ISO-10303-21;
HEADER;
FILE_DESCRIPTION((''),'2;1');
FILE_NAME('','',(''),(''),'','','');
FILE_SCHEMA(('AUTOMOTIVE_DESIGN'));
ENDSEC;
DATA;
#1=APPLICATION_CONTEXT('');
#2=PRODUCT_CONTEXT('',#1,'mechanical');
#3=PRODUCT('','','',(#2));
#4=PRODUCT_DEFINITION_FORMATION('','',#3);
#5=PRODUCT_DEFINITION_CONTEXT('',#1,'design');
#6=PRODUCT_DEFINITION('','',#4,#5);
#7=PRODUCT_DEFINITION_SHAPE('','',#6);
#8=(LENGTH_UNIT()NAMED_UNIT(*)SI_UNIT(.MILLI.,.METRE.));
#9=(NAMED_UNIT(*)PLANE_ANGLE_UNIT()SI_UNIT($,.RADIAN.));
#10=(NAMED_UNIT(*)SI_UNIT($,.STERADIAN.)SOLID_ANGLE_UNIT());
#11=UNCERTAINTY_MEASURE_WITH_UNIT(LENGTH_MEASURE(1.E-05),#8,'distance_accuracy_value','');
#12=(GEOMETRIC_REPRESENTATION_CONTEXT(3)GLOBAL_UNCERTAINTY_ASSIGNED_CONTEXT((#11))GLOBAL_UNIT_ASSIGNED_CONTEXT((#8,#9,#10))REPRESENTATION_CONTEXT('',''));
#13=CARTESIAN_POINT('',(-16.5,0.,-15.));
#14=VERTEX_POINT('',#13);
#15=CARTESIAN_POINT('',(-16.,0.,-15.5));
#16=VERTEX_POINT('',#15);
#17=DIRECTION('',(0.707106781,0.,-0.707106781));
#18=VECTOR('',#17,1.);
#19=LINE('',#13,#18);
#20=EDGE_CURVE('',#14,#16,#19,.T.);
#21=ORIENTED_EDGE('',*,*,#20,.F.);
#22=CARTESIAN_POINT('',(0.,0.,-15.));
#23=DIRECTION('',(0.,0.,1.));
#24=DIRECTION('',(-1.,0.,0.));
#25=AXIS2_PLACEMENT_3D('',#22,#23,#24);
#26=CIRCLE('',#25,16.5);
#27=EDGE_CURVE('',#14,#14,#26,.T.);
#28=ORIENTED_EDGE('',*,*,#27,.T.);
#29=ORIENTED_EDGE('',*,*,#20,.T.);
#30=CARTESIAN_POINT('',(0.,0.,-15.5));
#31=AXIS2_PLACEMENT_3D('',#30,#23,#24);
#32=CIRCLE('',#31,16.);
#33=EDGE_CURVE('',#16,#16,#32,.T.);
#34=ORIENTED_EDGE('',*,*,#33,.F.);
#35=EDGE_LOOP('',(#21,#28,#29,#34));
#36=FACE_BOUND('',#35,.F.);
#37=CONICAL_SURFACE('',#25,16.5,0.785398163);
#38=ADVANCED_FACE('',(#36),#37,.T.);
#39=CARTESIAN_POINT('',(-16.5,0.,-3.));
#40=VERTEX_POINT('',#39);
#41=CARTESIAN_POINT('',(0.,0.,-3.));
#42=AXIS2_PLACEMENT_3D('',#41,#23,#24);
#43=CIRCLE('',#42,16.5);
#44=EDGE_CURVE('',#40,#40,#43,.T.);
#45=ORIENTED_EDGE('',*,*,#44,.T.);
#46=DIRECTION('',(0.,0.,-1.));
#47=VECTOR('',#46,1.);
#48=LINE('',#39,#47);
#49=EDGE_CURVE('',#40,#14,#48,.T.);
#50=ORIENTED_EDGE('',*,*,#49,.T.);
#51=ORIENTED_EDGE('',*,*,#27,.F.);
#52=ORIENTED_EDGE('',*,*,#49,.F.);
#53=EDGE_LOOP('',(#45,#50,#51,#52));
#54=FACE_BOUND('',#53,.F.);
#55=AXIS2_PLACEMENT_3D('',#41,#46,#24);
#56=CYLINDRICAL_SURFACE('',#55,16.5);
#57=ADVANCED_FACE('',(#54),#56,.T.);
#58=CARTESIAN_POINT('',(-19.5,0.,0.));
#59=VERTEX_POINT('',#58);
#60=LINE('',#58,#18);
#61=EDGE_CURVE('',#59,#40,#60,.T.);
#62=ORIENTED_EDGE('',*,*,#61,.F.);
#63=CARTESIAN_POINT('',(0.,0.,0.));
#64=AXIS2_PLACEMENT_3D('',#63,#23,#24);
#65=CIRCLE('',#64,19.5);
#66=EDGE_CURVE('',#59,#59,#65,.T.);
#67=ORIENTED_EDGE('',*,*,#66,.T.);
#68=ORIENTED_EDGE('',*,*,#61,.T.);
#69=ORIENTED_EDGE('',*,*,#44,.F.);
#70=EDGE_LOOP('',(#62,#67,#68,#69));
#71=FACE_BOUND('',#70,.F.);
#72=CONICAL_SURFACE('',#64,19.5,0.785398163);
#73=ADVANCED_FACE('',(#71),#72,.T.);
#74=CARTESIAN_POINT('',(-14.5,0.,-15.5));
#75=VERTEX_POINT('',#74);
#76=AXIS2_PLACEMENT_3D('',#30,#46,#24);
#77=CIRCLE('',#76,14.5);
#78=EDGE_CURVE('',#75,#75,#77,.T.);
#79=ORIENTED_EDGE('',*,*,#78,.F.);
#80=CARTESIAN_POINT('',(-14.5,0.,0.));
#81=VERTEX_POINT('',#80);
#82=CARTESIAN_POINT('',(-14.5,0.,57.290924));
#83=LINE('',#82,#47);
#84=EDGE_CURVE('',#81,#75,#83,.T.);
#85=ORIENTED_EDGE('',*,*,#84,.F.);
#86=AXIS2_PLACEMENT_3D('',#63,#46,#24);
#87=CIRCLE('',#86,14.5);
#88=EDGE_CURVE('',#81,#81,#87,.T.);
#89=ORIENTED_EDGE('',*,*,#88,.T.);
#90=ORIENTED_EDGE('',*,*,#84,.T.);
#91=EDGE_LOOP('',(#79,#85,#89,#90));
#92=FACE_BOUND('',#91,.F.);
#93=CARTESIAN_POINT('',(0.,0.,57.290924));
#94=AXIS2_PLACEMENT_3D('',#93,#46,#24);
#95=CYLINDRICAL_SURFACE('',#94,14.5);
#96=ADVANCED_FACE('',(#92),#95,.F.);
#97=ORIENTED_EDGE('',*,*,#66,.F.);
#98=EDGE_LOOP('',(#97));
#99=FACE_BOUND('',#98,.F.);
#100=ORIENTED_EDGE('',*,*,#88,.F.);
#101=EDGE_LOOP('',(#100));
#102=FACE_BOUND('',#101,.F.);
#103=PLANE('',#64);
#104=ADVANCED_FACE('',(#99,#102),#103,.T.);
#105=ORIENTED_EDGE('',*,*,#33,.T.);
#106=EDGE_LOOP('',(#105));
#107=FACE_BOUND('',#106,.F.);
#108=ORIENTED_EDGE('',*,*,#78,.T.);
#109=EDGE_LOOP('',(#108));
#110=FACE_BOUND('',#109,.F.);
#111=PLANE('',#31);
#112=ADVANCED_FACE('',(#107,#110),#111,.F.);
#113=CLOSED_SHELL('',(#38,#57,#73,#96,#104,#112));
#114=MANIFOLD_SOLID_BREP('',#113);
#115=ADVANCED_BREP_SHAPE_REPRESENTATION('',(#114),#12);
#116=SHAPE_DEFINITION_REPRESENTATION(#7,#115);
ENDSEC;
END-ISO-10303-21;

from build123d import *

# Parameters (mm, degrees)
F3_D    = 29
F4_SIZE = 0.5


with BuildPart() as f1:
    # F0 (on Front) → F1 (revolve)
    with BuildSketch(Plane.XZ):
        Polygon((0, -15.5), (0, 0), (-19.5, 0), (-16.5, -3), (-16.5, -15.5), align=None)
    revolve(axis=Axis((0, 0, -7.75), (0, 0, 1)))

    # F3 (through all)
    with Locations(Plane.XY):
        with Locations((0, 0)):
            Hole(F3_D / 2)

    # F4
    f4_edges = [f1.edges().sort_by_distance(p)[0] for p in [
        (16.5, 0, -15.5),
    ]]
    chamfer(f4_edges, length=F4_SIZE)


solid = f1.part
